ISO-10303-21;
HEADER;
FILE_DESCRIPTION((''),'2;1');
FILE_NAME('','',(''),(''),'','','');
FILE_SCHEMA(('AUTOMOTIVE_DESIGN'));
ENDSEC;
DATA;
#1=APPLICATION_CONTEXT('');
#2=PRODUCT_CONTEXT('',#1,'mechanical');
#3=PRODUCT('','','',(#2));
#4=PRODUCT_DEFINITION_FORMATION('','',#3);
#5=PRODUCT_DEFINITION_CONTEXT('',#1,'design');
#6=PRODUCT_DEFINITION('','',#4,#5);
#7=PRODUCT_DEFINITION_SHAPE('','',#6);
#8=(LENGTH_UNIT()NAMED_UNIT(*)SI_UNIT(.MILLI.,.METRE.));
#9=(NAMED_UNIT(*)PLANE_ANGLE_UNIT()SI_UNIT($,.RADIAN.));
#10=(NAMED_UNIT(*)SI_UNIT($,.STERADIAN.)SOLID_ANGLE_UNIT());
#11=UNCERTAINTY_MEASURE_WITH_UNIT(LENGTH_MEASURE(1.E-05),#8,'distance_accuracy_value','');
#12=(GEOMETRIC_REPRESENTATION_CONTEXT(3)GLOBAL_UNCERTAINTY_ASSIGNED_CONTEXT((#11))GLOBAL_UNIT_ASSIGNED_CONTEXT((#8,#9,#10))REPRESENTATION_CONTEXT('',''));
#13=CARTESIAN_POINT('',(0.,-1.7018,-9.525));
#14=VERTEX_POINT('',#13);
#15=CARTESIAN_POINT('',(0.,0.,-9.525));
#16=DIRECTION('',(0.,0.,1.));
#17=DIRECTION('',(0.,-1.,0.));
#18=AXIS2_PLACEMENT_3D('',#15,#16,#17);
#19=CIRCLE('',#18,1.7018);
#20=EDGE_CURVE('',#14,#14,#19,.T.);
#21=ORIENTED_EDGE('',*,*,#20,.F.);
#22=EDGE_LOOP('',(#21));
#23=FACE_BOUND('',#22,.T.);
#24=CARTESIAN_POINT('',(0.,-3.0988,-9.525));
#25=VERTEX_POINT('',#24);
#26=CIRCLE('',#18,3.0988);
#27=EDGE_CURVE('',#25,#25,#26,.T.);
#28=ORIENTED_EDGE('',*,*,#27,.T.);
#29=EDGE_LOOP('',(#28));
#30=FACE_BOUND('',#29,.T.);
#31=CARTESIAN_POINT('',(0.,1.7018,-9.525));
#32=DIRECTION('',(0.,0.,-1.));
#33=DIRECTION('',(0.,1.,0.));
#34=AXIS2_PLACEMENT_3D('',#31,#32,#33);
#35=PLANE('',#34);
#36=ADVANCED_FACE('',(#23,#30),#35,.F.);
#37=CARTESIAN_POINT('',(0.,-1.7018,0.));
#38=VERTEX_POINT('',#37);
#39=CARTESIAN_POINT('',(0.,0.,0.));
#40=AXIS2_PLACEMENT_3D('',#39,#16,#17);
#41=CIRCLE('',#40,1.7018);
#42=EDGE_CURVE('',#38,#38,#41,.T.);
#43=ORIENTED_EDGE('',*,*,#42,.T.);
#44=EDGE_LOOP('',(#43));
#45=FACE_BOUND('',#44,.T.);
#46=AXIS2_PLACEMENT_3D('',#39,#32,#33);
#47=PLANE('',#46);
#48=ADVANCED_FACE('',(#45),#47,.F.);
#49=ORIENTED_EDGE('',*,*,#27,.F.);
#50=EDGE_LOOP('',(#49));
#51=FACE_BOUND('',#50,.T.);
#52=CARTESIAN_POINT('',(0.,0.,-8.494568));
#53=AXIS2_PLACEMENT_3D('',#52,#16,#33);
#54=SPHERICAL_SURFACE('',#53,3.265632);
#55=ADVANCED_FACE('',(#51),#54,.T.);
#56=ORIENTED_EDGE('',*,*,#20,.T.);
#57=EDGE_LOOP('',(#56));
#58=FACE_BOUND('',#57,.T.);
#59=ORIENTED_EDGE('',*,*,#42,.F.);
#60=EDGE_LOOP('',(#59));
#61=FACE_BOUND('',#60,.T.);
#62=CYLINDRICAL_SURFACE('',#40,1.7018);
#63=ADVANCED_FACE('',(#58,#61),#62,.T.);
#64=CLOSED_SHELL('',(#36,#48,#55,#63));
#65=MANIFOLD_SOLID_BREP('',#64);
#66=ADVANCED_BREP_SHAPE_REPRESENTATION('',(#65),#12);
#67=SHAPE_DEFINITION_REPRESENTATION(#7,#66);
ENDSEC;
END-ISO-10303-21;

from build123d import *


with BuildPart() as part:
    # Sketch2 → Revolve1 (revolve)
    with BuildSketch(Plane(origin=(0, 0, 0), x_dir=(0, 0, -1), z_dir=(1, 0, 0))):
        with BuildLine():
            Line((0, 0), (0, 1.7018))
            Line((0, 1.7018), (9.525, 1.7018))
            Line((9.525, 1.7018), (9.525, 3.0988))
            ThreePointArc((9.525, 3.0988), (11.143092498, 1.910410982), (11.7602, 0))
            Line((11.7602, 0), (0, 0))
        make_face()
    revolve(axis=Axis((0, 0, 0), (0, 0, -1)))


solid = part.part
